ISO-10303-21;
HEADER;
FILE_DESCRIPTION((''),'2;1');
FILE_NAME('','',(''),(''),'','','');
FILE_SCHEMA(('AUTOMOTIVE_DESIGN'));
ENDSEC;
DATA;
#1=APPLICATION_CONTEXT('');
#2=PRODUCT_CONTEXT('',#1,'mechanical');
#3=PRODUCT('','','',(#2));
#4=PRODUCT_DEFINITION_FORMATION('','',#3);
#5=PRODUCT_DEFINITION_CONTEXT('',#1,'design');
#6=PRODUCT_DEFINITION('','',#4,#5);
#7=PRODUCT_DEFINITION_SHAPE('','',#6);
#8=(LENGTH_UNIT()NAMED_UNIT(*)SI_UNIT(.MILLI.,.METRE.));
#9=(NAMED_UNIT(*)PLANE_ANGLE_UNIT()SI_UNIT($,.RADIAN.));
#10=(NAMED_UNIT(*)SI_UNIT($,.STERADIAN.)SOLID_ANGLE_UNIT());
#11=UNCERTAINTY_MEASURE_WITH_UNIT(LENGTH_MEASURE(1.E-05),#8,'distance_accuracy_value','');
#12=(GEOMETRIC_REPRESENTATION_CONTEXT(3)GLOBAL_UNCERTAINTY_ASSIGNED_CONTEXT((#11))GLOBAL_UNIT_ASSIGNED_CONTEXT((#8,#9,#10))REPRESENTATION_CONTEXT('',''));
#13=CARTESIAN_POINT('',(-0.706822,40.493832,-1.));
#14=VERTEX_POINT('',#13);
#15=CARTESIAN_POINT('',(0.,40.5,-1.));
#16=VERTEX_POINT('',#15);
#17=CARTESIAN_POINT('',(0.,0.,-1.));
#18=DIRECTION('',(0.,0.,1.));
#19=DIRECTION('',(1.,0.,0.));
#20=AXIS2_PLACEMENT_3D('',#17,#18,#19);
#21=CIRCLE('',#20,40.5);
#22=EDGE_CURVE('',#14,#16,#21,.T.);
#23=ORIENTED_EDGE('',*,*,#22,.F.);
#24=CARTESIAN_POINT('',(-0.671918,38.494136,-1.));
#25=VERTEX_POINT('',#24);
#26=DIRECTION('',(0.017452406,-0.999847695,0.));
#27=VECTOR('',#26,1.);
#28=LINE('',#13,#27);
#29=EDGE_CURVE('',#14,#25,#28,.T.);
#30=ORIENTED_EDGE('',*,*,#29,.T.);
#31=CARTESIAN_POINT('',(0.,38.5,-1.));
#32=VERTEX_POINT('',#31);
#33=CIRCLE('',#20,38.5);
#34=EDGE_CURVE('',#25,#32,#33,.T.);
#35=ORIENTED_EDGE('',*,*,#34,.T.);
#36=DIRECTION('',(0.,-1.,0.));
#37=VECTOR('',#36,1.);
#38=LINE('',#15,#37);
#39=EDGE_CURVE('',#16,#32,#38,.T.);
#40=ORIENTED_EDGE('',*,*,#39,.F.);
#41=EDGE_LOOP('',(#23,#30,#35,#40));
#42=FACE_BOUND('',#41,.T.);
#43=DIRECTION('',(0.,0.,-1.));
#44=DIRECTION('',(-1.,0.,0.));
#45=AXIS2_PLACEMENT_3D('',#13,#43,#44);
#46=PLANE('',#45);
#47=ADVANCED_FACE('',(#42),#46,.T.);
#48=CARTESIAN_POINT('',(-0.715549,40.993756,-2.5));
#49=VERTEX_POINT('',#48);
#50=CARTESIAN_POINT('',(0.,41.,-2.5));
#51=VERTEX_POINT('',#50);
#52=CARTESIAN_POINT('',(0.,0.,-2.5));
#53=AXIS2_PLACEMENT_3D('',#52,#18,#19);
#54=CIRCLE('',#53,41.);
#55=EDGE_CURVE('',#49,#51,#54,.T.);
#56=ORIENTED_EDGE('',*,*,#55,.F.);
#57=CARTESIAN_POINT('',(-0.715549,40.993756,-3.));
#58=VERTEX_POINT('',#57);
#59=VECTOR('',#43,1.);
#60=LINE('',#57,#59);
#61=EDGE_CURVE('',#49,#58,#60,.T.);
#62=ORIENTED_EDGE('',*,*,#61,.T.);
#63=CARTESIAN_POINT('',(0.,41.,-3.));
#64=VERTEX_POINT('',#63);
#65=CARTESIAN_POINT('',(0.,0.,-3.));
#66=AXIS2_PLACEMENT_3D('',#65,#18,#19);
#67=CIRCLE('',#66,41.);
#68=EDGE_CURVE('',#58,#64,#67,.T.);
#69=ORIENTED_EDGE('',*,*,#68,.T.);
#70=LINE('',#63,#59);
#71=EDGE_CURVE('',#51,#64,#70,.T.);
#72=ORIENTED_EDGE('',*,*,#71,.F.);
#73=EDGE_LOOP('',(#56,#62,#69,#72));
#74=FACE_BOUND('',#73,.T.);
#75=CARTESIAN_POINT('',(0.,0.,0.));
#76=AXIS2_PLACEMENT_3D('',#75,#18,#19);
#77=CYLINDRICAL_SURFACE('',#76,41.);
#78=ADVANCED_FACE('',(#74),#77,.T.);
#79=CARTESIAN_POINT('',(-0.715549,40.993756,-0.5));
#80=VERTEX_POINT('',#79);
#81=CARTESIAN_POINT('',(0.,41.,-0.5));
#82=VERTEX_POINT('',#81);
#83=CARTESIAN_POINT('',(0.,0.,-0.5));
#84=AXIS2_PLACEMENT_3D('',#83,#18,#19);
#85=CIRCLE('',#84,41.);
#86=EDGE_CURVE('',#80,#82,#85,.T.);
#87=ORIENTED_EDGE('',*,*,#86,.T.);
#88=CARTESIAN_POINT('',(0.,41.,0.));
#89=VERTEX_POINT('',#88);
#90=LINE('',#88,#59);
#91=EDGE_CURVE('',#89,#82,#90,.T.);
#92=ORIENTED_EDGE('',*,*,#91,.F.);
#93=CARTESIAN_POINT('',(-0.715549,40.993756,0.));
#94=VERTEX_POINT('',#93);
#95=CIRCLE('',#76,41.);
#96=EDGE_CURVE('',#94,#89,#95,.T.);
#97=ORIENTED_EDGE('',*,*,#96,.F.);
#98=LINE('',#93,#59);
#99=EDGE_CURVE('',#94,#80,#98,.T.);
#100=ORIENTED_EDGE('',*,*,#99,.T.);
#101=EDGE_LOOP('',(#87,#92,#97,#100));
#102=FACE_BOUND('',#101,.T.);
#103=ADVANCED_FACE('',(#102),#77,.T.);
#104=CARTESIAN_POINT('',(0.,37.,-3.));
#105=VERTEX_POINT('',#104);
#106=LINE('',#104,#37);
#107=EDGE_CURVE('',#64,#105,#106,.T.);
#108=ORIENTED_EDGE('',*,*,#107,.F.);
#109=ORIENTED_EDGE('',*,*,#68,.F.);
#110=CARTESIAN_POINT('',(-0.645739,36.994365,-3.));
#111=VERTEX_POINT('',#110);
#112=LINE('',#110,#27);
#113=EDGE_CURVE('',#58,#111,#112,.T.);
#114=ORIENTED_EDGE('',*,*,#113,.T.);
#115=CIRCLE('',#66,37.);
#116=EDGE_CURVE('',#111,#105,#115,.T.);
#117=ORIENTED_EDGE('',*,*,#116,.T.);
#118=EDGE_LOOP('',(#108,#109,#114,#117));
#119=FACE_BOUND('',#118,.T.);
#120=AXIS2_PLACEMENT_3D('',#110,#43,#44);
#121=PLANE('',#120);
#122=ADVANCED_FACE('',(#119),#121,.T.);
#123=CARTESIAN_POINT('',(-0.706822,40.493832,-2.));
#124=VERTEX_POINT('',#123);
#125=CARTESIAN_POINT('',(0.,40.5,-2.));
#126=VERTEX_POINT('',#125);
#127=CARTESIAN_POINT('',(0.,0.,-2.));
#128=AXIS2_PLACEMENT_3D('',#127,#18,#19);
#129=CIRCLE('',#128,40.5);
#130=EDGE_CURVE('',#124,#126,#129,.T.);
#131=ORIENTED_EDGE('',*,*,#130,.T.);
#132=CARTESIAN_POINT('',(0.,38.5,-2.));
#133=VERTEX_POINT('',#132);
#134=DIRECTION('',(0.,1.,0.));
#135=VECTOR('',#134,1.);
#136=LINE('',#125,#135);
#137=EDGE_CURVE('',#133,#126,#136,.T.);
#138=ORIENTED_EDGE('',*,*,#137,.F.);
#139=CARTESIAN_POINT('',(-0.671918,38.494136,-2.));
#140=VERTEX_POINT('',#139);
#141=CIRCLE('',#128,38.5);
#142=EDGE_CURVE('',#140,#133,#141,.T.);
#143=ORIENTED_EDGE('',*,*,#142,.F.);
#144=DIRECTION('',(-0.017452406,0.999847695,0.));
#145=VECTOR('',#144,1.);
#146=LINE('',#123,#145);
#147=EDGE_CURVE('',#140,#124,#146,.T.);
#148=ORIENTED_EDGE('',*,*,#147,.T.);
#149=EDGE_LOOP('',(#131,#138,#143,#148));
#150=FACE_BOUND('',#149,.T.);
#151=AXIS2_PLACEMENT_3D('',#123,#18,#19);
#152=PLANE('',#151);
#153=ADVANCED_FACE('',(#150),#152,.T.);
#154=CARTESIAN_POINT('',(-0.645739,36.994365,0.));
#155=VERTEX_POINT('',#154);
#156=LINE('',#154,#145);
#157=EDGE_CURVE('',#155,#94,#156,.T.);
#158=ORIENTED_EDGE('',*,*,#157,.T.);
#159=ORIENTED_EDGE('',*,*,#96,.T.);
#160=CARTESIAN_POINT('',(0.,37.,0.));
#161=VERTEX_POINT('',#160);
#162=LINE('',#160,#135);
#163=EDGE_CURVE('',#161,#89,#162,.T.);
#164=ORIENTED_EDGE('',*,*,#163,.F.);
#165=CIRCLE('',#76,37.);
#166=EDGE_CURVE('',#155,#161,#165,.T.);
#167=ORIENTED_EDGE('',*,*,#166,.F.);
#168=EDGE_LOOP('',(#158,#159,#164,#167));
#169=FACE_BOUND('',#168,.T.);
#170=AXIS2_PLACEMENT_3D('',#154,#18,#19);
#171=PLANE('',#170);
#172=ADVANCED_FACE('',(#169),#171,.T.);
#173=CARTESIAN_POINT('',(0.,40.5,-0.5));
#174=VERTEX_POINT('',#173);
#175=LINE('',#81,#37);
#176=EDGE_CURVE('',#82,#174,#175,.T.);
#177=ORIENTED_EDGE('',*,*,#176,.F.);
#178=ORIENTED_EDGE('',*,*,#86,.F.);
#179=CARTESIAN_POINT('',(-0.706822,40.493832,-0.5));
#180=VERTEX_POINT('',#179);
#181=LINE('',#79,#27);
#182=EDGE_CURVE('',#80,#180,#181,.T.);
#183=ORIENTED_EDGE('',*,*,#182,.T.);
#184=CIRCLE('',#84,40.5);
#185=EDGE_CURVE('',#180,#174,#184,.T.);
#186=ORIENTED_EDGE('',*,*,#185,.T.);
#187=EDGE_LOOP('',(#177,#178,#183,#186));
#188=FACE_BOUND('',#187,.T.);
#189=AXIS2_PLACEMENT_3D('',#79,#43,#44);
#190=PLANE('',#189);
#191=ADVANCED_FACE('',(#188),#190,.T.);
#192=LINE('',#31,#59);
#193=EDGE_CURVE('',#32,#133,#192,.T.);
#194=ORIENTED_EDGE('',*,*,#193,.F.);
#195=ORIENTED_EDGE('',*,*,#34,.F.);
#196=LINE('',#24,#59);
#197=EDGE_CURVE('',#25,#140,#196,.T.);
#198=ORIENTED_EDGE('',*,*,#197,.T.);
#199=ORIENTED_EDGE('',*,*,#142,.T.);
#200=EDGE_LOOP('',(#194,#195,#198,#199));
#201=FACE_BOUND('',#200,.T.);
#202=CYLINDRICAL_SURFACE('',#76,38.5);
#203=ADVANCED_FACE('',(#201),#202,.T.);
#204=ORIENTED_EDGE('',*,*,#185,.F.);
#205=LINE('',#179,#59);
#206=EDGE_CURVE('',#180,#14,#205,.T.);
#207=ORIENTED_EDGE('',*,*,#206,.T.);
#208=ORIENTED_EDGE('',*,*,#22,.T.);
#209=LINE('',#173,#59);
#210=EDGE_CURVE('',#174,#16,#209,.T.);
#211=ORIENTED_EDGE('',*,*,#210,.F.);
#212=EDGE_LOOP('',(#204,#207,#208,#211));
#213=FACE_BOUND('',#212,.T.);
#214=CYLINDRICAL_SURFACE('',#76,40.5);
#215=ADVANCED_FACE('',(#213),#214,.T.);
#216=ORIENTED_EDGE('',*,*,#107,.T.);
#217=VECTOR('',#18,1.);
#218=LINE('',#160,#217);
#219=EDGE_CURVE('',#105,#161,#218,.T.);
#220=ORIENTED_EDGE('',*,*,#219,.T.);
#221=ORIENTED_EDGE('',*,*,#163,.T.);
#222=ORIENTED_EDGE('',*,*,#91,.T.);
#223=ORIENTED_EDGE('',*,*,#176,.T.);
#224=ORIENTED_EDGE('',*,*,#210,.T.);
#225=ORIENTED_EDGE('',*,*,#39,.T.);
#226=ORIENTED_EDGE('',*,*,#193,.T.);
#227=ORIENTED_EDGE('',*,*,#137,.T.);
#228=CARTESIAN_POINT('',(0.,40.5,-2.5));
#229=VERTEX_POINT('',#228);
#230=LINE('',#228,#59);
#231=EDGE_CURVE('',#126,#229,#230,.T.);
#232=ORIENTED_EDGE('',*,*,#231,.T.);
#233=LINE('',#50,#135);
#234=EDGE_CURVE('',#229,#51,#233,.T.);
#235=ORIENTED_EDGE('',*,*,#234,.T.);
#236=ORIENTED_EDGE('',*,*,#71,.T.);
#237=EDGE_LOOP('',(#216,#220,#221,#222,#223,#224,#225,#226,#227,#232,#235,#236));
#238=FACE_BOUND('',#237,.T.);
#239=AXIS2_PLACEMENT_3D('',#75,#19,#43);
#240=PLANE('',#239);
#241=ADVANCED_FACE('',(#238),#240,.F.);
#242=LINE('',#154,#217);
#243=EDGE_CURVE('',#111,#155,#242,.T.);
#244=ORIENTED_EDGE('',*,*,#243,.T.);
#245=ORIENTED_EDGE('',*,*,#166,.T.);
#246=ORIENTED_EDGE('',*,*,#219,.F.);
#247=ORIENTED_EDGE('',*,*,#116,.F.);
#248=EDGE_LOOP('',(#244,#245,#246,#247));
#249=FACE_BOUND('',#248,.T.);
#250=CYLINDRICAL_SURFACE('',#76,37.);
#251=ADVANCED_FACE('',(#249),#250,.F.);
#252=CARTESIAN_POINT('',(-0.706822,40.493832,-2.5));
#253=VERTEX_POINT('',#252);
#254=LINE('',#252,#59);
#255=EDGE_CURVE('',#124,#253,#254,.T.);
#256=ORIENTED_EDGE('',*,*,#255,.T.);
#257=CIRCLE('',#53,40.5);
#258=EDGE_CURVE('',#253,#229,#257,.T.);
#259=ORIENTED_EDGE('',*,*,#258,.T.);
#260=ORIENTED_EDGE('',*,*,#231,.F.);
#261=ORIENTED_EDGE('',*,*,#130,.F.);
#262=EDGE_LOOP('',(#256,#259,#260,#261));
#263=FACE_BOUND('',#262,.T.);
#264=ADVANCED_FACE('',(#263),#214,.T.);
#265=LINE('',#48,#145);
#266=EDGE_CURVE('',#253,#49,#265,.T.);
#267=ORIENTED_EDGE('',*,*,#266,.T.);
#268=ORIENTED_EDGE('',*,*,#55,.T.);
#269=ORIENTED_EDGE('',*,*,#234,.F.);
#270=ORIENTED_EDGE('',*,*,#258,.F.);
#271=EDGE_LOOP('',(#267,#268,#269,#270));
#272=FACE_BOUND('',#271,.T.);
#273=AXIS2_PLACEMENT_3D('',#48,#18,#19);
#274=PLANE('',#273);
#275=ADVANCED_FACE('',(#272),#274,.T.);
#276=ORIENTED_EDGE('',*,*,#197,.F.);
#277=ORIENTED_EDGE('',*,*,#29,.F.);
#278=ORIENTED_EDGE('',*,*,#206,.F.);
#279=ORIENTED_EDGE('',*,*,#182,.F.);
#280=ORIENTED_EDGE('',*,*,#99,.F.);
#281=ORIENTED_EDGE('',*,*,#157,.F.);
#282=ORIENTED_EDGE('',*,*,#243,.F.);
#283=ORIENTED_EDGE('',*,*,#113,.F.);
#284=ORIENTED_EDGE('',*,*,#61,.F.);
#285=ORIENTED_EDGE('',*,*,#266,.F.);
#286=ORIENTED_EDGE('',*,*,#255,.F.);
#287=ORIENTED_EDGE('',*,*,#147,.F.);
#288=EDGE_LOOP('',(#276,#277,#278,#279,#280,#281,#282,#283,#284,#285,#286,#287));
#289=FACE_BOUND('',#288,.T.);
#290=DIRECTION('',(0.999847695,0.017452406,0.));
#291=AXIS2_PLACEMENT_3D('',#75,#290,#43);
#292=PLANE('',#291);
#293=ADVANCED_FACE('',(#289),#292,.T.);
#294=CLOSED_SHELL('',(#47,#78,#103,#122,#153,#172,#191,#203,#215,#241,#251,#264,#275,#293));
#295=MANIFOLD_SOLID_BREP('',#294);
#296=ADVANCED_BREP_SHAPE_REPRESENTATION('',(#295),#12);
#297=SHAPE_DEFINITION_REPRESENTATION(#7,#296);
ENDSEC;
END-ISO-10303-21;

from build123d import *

# Parameters (mm, degrees)
REVOLVE_1_ANGLE = 359


with BuildPart() as part:
    # 草图2 → 旋转1 (revolve)
    with BuildSketch(Plane(origin=(0, 0, 0), x_dir=(0, 1, 0), z_dir=(-1, 0, 0))):
        Polygon((37, 0), (41, 0), (41, 0.5), (40.5, 0.5), (40.5, 1), (38.5, 1), (38.5, 2), (40.5, 2), (40.5, 2.5), (41, 2.5), (41, 3), (37, 3), align=None)
    revolve(axis=Axis((0, 0, 0), (0, 0, -1)), revolution_arc=REVOLVE_1_ANGLE)


solid = part.part
